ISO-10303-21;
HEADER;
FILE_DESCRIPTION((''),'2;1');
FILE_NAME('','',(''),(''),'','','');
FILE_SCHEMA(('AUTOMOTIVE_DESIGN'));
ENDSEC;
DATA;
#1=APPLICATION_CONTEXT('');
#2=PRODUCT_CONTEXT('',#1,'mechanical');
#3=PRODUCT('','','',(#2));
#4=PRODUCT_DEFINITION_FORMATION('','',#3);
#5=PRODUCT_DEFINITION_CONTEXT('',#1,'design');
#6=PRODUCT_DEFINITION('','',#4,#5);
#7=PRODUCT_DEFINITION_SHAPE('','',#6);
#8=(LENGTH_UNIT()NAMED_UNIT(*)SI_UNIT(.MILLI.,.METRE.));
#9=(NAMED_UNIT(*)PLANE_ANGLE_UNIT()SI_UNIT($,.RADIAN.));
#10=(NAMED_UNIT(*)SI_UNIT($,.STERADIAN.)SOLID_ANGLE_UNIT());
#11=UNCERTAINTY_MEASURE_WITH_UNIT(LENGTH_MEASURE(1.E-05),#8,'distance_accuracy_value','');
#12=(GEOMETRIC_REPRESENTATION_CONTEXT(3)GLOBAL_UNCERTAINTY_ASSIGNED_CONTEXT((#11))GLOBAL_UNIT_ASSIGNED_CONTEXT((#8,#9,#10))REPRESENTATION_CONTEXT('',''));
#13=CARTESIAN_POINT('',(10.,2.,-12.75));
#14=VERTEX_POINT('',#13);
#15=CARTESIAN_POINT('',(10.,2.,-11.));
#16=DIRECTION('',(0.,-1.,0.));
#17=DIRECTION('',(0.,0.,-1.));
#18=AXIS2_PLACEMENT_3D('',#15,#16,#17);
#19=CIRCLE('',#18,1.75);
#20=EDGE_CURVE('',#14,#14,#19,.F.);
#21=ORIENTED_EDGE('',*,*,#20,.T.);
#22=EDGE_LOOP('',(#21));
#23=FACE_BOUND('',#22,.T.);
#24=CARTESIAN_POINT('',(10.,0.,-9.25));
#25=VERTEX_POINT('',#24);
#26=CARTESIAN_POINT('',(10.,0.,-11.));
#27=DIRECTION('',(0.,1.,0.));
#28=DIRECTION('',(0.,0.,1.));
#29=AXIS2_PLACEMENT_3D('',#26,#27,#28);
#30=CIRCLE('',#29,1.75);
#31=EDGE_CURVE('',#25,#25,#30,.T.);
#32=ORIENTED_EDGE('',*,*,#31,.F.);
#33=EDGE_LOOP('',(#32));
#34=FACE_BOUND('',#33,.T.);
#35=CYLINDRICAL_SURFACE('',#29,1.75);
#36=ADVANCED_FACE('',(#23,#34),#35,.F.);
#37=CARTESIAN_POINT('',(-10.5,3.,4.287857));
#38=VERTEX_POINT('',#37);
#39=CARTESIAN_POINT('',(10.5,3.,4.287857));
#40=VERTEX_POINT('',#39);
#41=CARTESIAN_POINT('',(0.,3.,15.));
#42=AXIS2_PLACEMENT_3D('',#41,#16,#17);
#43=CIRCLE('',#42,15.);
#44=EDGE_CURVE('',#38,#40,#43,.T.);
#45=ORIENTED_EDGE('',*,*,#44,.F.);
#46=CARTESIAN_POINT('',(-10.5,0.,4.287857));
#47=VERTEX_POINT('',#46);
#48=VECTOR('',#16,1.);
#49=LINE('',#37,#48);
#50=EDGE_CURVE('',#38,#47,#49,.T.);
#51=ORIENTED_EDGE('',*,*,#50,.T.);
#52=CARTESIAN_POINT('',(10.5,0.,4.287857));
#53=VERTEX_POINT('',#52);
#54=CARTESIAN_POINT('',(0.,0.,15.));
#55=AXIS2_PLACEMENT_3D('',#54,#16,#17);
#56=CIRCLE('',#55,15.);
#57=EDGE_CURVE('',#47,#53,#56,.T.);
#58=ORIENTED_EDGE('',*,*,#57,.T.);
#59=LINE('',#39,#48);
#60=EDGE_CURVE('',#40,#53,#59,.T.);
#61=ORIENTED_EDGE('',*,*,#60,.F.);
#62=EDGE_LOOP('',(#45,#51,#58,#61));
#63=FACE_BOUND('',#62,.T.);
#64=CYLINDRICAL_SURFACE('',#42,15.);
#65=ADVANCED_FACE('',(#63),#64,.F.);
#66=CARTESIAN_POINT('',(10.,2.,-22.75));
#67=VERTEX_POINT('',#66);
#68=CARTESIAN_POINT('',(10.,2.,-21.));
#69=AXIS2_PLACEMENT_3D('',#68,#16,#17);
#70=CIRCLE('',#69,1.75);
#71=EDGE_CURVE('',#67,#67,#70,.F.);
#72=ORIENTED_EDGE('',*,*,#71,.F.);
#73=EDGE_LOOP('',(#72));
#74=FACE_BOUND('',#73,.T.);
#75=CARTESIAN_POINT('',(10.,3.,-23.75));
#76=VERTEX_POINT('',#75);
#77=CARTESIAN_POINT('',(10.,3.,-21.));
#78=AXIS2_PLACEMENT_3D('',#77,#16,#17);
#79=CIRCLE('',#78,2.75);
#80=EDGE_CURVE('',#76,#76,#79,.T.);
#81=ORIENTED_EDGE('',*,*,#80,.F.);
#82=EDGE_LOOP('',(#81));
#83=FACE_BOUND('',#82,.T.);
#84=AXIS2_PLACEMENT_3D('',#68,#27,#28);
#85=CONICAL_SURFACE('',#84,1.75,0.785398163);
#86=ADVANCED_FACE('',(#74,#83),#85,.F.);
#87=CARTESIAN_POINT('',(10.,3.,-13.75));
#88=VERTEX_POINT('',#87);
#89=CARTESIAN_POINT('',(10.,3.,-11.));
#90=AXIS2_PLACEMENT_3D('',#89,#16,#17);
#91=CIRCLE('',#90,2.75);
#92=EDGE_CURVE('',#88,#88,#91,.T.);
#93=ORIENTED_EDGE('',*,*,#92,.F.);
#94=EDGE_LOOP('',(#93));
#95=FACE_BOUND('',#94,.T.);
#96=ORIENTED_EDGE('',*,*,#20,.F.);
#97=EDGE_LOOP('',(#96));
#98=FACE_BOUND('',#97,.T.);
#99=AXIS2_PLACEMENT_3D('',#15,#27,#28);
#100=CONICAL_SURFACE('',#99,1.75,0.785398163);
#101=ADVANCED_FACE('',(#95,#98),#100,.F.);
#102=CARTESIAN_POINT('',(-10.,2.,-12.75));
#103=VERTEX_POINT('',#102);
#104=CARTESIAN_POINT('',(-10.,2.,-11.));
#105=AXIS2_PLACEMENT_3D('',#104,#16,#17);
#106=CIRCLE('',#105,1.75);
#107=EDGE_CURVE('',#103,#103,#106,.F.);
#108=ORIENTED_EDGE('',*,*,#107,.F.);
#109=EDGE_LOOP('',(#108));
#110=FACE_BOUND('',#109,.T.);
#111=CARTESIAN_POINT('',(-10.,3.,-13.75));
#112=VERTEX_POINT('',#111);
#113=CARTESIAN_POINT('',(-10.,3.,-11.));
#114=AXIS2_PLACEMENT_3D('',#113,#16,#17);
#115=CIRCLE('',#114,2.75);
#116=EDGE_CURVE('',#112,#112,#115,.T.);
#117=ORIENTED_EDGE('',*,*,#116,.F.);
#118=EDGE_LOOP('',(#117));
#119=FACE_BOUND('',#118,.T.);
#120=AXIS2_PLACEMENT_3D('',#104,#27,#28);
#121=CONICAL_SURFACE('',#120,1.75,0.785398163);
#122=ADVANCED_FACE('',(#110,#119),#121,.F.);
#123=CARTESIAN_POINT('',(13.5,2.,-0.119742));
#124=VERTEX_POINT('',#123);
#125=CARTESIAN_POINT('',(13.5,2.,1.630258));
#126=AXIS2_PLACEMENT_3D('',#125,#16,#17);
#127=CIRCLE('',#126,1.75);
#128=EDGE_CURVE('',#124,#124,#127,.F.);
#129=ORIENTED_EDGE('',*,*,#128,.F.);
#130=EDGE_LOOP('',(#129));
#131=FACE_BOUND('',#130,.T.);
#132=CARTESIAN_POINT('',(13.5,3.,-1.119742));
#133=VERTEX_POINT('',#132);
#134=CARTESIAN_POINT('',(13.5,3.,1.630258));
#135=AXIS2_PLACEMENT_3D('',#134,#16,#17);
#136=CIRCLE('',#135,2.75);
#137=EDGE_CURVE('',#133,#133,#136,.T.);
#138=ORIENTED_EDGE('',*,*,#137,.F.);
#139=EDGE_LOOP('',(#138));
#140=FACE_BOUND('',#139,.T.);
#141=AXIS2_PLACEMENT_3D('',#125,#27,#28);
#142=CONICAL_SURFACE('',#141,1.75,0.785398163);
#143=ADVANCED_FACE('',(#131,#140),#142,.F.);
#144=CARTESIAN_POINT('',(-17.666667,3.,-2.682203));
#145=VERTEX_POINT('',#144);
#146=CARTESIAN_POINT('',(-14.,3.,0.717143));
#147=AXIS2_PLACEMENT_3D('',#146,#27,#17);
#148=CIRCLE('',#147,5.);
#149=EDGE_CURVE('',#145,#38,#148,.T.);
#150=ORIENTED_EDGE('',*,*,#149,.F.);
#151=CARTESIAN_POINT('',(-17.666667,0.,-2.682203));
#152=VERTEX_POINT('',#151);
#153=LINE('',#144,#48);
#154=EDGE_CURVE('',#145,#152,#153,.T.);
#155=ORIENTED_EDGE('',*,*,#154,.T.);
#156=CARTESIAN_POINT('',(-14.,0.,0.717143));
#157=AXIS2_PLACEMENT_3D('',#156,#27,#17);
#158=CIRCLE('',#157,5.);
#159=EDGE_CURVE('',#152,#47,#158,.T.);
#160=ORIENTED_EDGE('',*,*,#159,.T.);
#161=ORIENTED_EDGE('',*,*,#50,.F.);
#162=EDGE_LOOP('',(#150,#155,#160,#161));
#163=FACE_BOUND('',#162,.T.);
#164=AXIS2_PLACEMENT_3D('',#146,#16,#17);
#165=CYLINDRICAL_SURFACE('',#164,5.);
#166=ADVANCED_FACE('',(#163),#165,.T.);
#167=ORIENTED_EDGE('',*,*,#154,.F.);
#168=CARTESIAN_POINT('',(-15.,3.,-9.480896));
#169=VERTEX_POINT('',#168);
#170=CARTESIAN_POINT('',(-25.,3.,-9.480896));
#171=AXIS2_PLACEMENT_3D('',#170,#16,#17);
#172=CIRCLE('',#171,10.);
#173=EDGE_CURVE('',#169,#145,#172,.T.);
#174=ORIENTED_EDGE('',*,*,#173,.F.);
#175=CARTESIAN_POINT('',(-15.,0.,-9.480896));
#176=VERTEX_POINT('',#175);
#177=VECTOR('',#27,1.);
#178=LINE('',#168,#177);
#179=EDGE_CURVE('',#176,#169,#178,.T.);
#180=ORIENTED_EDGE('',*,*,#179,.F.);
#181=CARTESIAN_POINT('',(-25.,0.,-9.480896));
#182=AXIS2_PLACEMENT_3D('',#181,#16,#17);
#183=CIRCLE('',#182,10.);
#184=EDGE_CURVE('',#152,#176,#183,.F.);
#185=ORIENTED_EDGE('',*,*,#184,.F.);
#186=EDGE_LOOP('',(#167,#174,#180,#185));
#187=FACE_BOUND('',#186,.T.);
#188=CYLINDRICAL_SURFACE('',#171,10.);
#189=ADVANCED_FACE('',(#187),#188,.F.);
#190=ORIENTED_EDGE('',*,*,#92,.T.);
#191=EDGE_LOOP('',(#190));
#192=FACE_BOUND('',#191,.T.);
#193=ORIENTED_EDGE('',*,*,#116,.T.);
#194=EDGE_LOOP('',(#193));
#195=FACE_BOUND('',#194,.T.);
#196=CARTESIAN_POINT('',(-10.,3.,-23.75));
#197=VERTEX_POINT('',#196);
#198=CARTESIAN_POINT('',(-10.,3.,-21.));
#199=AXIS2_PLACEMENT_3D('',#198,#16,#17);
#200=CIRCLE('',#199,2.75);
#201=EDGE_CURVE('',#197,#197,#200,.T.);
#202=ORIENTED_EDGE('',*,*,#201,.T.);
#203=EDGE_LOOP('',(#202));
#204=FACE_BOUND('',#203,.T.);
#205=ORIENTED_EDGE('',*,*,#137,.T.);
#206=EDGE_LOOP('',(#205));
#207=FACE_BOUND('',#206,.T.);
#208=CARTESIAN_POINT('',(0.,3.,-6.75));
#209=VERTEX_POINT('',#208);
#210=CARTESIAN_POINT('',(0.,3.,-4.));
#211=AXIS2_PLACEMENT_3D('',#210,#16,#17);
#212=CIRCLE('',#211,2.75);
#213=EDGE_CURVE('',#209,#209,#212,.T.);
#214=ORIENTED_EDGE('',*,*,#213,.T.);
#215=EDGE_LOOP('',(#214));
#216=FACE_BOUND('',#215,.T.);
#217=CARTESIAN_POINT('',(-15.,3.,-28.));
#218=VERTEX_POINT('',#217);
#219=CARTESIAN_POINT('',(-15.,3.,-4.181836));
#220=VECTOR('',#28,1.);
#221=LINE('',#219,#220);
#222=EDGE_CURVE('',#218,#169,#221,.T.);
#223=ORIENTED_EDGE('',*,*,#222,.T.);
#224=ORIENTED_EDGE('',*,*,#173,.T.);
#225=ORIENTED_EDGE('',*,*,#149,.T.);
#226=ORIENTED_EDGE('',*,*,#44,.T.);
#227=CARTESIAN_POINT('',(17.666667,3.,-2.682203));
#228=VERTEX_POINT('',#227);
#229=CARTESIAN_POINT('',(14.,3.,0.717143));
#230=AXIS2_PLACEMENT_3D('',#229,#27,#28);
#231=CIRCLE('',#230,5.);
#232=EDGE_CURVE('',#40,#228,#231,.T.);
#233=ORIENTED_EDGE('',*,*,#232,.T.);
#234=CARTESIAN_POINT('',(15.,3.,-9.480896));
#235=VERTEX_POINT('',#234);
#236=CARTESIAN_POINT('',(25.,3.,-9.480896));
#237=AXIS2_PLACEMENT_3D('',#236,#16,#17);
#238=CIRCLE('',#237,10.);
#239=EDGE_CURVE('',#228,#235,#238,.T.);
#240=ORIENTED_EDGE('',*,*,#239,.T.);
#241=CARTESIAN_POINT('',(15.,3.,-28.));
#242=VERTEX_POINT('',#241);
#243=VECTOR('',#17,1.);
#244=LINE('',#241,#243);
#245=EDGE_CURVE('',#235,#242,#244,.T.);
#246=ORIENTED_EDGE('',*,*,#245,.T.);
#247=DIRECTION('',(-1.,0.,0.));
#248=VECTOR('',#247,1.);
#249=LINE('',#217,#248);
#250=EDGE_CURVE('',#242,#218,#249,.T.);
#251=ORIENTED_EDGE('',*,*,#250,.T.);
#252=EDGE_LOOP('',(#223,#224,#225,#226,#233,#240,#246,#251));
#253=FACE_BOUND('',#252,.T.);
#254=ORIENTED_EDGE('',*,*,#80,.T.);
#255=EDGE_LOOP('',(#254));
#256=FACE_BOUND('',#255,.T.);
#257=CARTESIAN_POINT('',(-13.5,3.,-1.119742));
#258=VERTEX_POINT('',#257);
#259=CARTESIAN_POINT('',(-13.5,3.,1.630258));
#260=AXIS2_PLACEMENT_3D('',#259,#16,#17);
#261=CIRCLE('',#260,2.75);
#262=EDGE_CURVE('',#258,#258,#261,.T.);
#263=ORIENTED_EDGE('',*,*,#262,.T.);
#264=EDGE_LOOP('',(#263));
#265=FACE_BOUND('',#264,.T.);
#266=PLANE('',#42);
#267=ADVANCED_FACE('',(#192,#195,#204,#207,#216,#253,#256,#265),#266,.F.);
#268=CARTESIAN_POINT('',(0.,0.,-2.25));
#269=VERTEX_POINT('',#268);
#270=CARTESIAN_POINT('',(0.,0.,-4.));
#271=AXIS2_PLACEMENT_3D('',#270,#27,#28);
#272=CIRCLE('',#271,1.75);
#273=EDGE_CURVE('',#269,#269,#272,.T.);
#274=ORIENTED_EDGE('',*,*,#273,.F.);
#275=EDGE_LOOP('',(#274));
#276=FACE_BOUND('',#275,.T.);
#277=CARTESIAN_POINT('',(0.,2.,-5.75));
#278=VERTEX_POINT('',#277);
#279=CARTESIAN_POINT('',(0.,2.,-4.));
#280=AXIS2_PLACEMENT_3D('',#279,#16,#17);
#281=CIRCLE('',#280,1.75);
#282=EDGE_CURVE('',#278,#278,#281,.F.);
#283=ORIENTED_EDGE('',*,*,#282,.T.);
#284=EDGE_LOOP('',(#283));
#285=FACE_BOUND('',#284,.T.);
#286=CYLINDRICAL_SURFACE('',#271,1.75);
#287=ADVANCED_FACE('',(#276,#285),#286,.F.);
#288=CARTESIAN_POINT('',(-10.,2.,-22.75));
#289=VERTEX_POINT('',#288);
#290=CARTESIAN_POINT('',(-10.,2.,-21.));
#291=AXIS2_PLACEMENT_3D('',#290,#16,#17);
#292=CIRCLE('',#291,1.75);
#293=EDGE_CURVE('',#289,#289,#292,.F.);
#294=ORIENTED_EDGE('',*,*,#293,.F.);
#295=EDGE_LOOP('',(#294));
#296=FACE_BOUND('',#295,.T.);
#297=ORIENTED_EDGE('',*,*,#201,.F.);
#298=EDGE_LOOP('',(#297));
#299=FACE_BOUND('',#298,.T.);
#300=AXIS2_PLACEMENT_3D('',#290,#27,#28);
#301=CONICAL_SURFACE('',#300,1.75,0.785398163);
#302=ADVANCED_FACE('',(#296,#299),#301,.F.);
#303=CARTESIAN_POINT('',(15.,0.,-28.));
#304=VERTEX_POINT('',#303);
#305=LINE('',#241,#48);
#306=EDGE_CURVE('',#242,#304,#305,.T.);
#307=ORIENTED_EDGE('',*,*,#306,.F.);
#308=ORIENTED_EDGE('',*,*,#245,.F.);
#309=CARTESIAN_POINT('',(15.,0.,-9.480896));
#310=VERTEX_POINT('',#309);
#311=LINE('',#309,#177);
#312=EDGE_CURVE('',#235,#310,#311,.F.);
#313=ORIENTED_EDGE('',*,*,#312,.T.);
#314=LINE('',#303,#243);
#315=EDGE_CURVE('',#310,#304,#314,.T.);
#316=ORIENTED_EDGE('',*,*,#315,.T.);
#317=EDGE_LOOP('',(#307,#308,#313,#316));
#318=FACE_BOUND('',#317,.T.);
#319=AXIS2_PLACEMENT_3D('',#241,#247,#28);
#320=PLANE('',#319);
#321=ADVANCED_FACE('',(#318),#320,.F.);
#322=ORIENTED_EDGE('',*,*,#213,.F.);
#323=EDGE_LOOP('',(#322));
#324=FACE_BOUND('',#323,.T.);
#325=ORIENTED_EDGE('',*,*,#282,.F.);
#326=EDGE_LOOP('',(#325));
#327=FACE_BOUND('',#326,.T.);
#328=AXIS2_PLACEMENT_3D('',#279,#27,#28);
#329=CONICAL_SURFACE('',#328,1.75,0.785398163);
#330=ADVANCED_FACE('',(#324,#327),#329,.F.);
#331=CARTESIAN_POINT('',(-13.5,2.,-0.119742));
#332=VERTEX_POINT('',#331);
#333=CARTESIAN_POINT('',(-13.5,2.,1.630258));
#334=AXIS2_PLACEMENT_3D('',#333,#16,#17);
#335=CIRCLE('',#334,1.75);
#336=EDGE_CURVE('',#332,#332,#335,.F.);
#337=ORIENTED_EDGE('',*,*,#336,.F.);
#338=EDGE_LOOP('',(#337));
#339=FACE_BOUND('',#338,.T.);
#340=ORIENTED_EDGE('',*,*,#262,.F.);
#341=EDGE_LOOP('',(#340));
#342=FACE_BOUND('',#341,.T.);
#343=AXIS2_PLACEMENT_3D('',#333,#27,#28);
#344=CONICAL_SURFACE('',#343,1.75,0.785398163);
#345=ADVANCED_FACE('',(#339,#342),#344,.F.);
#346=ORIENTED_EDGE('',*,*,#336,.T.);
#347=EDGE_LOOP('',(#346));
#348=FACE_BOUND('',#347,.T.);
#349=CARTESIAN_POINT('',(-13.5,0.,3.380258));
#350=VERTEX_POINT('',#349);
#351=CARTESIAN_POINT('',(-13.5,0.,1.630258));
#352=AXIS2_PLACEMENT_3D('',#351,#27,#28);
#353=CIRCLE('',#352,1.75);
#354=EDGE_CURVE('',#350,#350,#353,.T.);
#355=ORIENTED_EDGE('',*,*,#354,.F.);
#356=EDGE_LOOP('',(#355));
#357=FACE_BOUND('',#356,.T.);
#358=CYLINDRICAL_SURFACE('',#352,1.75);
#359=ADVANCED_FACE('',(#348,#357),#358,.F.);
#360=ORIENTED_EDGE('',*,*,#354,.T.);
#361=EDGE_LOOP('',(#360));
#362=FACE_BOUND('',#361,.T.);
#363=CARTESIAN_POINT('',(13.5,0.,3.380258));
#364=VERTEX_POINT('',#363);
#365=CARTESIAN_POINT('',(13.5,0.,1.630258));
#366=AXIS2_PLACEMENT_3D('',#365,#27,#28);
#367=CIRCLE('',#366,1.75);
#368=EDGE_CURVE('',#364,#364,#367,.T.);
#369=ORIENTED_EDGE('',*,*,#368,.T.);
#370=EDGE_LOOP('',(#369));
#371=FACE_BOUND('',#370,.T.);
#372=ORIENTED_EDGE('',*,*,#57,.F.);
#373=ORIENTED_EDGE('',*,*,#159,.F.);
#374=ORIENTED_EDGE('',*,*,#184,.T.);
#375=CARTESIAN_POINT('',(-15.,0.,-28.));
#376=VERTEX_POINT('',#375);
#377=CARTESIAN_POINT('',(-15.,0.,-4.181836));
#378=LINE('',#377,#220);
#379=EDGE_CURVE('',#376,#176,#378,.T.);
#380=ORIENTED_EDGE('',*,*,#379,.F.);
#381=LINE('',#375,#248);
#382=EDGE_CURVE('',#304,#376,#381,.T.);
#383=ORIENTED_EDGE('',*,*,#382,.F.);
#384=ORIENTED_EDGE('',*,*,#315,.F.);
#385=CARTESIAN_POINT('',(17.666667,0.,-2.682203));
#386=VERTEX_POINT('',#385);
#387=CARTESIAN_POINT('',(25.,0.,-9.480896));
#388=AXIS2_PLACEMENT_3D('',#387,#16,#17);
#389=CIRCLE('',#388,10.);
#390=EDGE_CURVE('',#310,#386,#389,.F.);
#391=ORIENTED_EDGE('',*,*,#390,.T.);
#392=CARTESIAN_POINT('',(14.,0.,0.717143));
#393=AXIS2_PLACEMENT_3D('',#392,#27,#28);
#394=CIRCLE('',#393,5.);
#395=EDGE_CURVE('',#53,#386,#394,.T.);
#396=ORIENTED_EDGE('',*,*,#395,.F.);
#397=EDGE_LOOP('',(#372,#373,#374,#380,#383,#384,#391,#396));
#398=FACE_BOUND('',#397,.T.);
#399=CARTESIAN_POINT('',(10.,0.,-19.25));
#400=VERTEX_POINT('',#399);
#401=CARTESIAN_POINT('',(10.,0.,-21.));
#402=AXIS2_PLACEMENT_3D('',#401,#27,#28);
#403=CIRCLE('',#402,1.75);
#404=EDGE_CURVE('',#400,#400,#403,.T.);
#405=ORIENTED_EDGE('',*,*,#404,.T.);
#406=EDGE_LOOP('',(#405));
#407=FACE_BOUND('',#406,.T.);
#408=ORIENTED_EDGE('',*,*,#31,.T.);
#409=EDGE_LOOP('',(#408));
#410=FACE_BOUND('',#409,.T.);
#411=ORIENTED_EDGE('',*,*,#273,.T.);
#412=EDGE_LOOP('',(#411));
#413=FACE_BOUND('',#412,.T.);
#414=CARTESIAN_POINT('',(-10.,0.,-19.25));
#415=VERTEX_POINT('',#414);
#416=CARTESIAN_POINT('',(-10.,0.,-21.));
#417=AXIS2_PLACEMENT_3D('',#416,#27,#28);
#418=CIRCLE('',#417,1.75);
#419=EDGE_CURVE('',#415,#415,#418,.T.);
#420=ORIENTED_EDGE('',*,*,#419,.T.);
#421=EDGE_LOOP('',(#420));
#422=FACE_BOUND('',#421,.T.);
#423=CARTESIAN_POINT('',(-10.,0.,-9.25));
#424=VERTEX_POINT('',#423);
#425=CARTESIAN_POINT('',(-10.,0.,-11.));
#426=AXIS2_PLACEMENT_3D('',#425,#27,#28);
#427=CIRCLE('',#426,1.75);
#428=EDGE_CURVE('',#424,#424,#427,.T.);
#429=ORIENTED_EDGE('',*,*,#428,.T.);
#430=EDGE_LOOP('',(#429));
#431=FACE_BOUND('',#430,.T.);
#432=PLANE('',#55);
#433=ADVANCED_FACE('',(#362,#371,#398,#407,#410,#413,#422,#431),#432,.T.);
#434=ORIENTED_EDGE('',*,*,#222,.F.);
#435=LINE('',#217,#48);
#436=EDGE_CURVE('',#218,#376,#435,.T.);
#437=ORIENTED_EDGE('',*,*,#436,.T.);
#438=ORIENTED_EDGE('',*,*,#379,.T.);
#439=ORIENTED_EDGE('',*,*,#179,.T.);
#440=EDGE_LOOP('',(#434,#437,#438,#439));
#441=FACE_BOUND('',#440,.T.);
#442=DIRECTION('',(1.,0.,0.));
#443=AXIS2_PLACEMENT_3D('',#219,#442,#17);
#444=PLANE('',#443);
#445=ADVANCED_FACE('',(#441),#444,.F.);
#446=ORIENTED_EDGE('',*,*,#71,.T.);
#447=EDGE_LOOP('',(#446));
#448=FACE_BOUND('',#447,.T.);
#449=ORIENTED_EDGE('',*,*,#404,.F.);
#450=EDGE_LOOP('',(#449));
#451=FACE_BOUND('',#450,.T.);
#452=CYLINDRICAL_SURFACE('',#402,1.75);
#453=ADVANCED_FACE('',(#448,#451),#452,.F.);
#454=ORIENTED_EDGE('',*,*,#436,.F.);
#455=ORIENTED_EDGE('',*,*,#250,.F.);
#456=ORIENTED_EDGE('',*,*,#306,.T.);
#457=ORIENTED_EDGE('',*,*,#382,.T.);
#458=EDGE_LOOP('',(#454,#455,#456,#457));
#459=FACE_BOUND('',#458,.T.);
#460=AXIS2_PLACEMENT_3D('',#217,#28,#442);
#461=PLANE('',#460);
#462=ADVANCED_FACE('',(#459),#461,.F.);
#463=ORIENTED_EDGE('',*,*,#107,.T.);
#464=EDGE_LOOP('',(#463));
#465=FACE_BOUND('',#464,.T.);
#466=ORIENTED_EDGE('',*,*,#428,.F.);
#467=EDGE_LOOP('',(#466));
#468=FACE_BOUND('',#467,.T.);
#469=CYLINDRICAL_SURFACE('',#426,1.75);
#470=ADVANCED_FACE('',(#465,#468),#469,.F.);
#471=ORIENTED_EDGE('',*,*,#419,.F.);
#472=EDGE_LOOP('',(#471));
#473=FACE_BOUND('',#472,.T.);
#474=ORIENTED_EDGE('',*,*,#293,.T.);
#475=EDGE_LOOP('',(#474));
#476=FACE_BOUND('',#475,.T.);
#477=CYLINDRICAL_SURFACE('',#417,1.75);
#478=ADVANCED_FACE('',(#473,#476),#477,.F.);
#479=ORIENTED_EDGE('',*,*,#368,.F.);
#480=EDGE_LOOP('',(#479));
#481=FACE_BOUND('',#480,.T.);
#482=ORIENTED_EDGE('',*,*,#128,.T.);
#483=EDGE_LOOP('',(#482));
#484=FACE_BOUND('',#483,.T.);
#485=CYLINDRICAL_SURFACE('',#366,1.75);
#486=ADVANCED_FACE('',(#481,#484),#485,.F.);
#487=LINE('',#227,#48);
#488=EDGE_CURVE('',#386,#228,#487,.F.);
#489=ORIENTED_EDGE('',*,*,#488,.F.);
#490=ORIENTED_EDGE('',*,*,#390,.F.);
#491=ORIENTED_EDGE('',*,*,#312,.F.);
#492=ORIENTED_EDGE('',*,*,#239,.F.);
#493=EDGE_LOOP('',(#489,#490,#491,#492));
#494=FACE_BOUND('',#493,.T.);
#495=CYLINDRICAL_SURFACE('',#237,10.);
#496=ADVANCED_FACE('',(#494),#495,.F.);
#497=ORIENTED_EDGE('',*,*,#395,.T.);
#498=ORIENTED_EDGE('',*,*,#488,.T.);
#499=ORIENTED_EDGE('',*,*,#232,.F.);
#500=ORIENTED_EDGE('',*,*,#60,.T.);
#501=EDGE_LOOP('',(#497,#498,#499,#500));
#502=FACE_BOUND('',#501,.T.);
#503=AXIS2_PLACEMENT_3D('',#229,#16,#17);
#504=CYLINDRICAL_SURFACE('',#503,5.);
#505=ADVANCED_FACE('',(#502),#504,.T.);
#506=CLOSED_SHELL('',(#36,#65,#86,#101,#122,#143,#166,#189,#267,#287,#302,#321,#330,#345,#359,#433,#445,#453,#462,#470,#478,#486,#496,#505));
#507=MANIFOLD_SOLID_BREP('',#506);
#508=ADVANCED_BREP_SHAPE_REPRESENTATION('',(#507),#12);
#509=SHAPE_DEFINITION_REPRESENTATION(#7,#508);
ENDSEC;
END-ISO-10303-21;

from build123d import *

# Parameters (mm, degrees)
BOSS_EXTRUDE1_DEPTH = 3
FILLET1_R           = 10
SKETCH2_R           = 1.75
CUT_EXTRUDE1_DEPTH  = 34.970575503
CHAMFER1_SIZE       = 1


with BuildPart() as part:
    # Sketch1 → Boss-Extrude1 (new body)
    with BuildSketch(Plane(origin=(0, 0, 0), x_dir=(1, 0, 0), z_dir=(0, 1, 0))):
        with BuildLine():
            Line((-15, 4.181836343), (-15, 28))
            Line((-15, 28), (15, 28))
            Line((15, 28), (15, 4.181836343))
            ThreePointArc((15, 4.181836343), (18.415475947, -3.063112486), (10.5, -4.287857357))
            ThreePointArc((10.5, -4.287857357), (0, 0), (-10.5, -4.287857357))
            ThreePointArc((-10.5, -4.287857357), (-18.415475947, -3.063112486), (-15, 4.181836343))
        make_face()
    extrude(amount=BOSS_EXTRUDE1_DEPTH)

    # Fillet1
    fillet1_edges = [part.edges().sort_by_distance(p)[0] for p in [
        (-15, 1.5, -4.181836343),
        (15, 1.5, -4.181836343),
    ]]
    fillet(fillet1_edges, radius=FILLET1_R)

    # Sketch2 → Cut-Extrude1 (cut, through all)
    with BuildSketch(Plane(origin=(0, 3, 0), x_dir=(1, 0, 0), z_dir=(0, 1, 0))):
        with Locations(Location((0, 4, 0), (0, 0, 270))):
            Circle(SKETCH2_R)
        with Locations(Location((13.5, -1.630258043, 0), (0, 0, 270))):
            Circle(SKETCH2_R)
        with Locations(Location((-13.5, -1.630258043, 0), (0, 0, 270))):
            Circle(SKETCH2_R)
        with Locations(Location((-10, 11, 0), (0, 0, 270))):
            Circle(SKETCH2_R)
        with Locations(Location((-10, 21, 0), (0, 0, 270))):
            Circle(SKETCH2_R)
        with Locations(Location((10, 21, 0), (0, 0, 270))):
            Circle(SKETCH2_R)
        with Locations(Location((10, 11, 0), (0, 0, 270))):
            Circle(SKETCH2_R)
    extrude(amount=-CUT_EXTRUDE1_DEPTH, mode=Mode.SUBTRACT)

    # Chamfer1
    chamfer1_edges = [part.edges().sort_by_distance(p)[0] for p in [
        (0, 3, -5.75),
        (13.5, 3, -0.119741957),
        (-13.5, 3, -0.119741957),
        (-10, 3, -12.75),
        (-10, 3, -22.75),
        (10, 3, -22.75),
        (10, 3, -12.75),
    ]]
    chamfer(chamfer1_edges, length=CHAMFER1_SIZE)


solid = part.part
